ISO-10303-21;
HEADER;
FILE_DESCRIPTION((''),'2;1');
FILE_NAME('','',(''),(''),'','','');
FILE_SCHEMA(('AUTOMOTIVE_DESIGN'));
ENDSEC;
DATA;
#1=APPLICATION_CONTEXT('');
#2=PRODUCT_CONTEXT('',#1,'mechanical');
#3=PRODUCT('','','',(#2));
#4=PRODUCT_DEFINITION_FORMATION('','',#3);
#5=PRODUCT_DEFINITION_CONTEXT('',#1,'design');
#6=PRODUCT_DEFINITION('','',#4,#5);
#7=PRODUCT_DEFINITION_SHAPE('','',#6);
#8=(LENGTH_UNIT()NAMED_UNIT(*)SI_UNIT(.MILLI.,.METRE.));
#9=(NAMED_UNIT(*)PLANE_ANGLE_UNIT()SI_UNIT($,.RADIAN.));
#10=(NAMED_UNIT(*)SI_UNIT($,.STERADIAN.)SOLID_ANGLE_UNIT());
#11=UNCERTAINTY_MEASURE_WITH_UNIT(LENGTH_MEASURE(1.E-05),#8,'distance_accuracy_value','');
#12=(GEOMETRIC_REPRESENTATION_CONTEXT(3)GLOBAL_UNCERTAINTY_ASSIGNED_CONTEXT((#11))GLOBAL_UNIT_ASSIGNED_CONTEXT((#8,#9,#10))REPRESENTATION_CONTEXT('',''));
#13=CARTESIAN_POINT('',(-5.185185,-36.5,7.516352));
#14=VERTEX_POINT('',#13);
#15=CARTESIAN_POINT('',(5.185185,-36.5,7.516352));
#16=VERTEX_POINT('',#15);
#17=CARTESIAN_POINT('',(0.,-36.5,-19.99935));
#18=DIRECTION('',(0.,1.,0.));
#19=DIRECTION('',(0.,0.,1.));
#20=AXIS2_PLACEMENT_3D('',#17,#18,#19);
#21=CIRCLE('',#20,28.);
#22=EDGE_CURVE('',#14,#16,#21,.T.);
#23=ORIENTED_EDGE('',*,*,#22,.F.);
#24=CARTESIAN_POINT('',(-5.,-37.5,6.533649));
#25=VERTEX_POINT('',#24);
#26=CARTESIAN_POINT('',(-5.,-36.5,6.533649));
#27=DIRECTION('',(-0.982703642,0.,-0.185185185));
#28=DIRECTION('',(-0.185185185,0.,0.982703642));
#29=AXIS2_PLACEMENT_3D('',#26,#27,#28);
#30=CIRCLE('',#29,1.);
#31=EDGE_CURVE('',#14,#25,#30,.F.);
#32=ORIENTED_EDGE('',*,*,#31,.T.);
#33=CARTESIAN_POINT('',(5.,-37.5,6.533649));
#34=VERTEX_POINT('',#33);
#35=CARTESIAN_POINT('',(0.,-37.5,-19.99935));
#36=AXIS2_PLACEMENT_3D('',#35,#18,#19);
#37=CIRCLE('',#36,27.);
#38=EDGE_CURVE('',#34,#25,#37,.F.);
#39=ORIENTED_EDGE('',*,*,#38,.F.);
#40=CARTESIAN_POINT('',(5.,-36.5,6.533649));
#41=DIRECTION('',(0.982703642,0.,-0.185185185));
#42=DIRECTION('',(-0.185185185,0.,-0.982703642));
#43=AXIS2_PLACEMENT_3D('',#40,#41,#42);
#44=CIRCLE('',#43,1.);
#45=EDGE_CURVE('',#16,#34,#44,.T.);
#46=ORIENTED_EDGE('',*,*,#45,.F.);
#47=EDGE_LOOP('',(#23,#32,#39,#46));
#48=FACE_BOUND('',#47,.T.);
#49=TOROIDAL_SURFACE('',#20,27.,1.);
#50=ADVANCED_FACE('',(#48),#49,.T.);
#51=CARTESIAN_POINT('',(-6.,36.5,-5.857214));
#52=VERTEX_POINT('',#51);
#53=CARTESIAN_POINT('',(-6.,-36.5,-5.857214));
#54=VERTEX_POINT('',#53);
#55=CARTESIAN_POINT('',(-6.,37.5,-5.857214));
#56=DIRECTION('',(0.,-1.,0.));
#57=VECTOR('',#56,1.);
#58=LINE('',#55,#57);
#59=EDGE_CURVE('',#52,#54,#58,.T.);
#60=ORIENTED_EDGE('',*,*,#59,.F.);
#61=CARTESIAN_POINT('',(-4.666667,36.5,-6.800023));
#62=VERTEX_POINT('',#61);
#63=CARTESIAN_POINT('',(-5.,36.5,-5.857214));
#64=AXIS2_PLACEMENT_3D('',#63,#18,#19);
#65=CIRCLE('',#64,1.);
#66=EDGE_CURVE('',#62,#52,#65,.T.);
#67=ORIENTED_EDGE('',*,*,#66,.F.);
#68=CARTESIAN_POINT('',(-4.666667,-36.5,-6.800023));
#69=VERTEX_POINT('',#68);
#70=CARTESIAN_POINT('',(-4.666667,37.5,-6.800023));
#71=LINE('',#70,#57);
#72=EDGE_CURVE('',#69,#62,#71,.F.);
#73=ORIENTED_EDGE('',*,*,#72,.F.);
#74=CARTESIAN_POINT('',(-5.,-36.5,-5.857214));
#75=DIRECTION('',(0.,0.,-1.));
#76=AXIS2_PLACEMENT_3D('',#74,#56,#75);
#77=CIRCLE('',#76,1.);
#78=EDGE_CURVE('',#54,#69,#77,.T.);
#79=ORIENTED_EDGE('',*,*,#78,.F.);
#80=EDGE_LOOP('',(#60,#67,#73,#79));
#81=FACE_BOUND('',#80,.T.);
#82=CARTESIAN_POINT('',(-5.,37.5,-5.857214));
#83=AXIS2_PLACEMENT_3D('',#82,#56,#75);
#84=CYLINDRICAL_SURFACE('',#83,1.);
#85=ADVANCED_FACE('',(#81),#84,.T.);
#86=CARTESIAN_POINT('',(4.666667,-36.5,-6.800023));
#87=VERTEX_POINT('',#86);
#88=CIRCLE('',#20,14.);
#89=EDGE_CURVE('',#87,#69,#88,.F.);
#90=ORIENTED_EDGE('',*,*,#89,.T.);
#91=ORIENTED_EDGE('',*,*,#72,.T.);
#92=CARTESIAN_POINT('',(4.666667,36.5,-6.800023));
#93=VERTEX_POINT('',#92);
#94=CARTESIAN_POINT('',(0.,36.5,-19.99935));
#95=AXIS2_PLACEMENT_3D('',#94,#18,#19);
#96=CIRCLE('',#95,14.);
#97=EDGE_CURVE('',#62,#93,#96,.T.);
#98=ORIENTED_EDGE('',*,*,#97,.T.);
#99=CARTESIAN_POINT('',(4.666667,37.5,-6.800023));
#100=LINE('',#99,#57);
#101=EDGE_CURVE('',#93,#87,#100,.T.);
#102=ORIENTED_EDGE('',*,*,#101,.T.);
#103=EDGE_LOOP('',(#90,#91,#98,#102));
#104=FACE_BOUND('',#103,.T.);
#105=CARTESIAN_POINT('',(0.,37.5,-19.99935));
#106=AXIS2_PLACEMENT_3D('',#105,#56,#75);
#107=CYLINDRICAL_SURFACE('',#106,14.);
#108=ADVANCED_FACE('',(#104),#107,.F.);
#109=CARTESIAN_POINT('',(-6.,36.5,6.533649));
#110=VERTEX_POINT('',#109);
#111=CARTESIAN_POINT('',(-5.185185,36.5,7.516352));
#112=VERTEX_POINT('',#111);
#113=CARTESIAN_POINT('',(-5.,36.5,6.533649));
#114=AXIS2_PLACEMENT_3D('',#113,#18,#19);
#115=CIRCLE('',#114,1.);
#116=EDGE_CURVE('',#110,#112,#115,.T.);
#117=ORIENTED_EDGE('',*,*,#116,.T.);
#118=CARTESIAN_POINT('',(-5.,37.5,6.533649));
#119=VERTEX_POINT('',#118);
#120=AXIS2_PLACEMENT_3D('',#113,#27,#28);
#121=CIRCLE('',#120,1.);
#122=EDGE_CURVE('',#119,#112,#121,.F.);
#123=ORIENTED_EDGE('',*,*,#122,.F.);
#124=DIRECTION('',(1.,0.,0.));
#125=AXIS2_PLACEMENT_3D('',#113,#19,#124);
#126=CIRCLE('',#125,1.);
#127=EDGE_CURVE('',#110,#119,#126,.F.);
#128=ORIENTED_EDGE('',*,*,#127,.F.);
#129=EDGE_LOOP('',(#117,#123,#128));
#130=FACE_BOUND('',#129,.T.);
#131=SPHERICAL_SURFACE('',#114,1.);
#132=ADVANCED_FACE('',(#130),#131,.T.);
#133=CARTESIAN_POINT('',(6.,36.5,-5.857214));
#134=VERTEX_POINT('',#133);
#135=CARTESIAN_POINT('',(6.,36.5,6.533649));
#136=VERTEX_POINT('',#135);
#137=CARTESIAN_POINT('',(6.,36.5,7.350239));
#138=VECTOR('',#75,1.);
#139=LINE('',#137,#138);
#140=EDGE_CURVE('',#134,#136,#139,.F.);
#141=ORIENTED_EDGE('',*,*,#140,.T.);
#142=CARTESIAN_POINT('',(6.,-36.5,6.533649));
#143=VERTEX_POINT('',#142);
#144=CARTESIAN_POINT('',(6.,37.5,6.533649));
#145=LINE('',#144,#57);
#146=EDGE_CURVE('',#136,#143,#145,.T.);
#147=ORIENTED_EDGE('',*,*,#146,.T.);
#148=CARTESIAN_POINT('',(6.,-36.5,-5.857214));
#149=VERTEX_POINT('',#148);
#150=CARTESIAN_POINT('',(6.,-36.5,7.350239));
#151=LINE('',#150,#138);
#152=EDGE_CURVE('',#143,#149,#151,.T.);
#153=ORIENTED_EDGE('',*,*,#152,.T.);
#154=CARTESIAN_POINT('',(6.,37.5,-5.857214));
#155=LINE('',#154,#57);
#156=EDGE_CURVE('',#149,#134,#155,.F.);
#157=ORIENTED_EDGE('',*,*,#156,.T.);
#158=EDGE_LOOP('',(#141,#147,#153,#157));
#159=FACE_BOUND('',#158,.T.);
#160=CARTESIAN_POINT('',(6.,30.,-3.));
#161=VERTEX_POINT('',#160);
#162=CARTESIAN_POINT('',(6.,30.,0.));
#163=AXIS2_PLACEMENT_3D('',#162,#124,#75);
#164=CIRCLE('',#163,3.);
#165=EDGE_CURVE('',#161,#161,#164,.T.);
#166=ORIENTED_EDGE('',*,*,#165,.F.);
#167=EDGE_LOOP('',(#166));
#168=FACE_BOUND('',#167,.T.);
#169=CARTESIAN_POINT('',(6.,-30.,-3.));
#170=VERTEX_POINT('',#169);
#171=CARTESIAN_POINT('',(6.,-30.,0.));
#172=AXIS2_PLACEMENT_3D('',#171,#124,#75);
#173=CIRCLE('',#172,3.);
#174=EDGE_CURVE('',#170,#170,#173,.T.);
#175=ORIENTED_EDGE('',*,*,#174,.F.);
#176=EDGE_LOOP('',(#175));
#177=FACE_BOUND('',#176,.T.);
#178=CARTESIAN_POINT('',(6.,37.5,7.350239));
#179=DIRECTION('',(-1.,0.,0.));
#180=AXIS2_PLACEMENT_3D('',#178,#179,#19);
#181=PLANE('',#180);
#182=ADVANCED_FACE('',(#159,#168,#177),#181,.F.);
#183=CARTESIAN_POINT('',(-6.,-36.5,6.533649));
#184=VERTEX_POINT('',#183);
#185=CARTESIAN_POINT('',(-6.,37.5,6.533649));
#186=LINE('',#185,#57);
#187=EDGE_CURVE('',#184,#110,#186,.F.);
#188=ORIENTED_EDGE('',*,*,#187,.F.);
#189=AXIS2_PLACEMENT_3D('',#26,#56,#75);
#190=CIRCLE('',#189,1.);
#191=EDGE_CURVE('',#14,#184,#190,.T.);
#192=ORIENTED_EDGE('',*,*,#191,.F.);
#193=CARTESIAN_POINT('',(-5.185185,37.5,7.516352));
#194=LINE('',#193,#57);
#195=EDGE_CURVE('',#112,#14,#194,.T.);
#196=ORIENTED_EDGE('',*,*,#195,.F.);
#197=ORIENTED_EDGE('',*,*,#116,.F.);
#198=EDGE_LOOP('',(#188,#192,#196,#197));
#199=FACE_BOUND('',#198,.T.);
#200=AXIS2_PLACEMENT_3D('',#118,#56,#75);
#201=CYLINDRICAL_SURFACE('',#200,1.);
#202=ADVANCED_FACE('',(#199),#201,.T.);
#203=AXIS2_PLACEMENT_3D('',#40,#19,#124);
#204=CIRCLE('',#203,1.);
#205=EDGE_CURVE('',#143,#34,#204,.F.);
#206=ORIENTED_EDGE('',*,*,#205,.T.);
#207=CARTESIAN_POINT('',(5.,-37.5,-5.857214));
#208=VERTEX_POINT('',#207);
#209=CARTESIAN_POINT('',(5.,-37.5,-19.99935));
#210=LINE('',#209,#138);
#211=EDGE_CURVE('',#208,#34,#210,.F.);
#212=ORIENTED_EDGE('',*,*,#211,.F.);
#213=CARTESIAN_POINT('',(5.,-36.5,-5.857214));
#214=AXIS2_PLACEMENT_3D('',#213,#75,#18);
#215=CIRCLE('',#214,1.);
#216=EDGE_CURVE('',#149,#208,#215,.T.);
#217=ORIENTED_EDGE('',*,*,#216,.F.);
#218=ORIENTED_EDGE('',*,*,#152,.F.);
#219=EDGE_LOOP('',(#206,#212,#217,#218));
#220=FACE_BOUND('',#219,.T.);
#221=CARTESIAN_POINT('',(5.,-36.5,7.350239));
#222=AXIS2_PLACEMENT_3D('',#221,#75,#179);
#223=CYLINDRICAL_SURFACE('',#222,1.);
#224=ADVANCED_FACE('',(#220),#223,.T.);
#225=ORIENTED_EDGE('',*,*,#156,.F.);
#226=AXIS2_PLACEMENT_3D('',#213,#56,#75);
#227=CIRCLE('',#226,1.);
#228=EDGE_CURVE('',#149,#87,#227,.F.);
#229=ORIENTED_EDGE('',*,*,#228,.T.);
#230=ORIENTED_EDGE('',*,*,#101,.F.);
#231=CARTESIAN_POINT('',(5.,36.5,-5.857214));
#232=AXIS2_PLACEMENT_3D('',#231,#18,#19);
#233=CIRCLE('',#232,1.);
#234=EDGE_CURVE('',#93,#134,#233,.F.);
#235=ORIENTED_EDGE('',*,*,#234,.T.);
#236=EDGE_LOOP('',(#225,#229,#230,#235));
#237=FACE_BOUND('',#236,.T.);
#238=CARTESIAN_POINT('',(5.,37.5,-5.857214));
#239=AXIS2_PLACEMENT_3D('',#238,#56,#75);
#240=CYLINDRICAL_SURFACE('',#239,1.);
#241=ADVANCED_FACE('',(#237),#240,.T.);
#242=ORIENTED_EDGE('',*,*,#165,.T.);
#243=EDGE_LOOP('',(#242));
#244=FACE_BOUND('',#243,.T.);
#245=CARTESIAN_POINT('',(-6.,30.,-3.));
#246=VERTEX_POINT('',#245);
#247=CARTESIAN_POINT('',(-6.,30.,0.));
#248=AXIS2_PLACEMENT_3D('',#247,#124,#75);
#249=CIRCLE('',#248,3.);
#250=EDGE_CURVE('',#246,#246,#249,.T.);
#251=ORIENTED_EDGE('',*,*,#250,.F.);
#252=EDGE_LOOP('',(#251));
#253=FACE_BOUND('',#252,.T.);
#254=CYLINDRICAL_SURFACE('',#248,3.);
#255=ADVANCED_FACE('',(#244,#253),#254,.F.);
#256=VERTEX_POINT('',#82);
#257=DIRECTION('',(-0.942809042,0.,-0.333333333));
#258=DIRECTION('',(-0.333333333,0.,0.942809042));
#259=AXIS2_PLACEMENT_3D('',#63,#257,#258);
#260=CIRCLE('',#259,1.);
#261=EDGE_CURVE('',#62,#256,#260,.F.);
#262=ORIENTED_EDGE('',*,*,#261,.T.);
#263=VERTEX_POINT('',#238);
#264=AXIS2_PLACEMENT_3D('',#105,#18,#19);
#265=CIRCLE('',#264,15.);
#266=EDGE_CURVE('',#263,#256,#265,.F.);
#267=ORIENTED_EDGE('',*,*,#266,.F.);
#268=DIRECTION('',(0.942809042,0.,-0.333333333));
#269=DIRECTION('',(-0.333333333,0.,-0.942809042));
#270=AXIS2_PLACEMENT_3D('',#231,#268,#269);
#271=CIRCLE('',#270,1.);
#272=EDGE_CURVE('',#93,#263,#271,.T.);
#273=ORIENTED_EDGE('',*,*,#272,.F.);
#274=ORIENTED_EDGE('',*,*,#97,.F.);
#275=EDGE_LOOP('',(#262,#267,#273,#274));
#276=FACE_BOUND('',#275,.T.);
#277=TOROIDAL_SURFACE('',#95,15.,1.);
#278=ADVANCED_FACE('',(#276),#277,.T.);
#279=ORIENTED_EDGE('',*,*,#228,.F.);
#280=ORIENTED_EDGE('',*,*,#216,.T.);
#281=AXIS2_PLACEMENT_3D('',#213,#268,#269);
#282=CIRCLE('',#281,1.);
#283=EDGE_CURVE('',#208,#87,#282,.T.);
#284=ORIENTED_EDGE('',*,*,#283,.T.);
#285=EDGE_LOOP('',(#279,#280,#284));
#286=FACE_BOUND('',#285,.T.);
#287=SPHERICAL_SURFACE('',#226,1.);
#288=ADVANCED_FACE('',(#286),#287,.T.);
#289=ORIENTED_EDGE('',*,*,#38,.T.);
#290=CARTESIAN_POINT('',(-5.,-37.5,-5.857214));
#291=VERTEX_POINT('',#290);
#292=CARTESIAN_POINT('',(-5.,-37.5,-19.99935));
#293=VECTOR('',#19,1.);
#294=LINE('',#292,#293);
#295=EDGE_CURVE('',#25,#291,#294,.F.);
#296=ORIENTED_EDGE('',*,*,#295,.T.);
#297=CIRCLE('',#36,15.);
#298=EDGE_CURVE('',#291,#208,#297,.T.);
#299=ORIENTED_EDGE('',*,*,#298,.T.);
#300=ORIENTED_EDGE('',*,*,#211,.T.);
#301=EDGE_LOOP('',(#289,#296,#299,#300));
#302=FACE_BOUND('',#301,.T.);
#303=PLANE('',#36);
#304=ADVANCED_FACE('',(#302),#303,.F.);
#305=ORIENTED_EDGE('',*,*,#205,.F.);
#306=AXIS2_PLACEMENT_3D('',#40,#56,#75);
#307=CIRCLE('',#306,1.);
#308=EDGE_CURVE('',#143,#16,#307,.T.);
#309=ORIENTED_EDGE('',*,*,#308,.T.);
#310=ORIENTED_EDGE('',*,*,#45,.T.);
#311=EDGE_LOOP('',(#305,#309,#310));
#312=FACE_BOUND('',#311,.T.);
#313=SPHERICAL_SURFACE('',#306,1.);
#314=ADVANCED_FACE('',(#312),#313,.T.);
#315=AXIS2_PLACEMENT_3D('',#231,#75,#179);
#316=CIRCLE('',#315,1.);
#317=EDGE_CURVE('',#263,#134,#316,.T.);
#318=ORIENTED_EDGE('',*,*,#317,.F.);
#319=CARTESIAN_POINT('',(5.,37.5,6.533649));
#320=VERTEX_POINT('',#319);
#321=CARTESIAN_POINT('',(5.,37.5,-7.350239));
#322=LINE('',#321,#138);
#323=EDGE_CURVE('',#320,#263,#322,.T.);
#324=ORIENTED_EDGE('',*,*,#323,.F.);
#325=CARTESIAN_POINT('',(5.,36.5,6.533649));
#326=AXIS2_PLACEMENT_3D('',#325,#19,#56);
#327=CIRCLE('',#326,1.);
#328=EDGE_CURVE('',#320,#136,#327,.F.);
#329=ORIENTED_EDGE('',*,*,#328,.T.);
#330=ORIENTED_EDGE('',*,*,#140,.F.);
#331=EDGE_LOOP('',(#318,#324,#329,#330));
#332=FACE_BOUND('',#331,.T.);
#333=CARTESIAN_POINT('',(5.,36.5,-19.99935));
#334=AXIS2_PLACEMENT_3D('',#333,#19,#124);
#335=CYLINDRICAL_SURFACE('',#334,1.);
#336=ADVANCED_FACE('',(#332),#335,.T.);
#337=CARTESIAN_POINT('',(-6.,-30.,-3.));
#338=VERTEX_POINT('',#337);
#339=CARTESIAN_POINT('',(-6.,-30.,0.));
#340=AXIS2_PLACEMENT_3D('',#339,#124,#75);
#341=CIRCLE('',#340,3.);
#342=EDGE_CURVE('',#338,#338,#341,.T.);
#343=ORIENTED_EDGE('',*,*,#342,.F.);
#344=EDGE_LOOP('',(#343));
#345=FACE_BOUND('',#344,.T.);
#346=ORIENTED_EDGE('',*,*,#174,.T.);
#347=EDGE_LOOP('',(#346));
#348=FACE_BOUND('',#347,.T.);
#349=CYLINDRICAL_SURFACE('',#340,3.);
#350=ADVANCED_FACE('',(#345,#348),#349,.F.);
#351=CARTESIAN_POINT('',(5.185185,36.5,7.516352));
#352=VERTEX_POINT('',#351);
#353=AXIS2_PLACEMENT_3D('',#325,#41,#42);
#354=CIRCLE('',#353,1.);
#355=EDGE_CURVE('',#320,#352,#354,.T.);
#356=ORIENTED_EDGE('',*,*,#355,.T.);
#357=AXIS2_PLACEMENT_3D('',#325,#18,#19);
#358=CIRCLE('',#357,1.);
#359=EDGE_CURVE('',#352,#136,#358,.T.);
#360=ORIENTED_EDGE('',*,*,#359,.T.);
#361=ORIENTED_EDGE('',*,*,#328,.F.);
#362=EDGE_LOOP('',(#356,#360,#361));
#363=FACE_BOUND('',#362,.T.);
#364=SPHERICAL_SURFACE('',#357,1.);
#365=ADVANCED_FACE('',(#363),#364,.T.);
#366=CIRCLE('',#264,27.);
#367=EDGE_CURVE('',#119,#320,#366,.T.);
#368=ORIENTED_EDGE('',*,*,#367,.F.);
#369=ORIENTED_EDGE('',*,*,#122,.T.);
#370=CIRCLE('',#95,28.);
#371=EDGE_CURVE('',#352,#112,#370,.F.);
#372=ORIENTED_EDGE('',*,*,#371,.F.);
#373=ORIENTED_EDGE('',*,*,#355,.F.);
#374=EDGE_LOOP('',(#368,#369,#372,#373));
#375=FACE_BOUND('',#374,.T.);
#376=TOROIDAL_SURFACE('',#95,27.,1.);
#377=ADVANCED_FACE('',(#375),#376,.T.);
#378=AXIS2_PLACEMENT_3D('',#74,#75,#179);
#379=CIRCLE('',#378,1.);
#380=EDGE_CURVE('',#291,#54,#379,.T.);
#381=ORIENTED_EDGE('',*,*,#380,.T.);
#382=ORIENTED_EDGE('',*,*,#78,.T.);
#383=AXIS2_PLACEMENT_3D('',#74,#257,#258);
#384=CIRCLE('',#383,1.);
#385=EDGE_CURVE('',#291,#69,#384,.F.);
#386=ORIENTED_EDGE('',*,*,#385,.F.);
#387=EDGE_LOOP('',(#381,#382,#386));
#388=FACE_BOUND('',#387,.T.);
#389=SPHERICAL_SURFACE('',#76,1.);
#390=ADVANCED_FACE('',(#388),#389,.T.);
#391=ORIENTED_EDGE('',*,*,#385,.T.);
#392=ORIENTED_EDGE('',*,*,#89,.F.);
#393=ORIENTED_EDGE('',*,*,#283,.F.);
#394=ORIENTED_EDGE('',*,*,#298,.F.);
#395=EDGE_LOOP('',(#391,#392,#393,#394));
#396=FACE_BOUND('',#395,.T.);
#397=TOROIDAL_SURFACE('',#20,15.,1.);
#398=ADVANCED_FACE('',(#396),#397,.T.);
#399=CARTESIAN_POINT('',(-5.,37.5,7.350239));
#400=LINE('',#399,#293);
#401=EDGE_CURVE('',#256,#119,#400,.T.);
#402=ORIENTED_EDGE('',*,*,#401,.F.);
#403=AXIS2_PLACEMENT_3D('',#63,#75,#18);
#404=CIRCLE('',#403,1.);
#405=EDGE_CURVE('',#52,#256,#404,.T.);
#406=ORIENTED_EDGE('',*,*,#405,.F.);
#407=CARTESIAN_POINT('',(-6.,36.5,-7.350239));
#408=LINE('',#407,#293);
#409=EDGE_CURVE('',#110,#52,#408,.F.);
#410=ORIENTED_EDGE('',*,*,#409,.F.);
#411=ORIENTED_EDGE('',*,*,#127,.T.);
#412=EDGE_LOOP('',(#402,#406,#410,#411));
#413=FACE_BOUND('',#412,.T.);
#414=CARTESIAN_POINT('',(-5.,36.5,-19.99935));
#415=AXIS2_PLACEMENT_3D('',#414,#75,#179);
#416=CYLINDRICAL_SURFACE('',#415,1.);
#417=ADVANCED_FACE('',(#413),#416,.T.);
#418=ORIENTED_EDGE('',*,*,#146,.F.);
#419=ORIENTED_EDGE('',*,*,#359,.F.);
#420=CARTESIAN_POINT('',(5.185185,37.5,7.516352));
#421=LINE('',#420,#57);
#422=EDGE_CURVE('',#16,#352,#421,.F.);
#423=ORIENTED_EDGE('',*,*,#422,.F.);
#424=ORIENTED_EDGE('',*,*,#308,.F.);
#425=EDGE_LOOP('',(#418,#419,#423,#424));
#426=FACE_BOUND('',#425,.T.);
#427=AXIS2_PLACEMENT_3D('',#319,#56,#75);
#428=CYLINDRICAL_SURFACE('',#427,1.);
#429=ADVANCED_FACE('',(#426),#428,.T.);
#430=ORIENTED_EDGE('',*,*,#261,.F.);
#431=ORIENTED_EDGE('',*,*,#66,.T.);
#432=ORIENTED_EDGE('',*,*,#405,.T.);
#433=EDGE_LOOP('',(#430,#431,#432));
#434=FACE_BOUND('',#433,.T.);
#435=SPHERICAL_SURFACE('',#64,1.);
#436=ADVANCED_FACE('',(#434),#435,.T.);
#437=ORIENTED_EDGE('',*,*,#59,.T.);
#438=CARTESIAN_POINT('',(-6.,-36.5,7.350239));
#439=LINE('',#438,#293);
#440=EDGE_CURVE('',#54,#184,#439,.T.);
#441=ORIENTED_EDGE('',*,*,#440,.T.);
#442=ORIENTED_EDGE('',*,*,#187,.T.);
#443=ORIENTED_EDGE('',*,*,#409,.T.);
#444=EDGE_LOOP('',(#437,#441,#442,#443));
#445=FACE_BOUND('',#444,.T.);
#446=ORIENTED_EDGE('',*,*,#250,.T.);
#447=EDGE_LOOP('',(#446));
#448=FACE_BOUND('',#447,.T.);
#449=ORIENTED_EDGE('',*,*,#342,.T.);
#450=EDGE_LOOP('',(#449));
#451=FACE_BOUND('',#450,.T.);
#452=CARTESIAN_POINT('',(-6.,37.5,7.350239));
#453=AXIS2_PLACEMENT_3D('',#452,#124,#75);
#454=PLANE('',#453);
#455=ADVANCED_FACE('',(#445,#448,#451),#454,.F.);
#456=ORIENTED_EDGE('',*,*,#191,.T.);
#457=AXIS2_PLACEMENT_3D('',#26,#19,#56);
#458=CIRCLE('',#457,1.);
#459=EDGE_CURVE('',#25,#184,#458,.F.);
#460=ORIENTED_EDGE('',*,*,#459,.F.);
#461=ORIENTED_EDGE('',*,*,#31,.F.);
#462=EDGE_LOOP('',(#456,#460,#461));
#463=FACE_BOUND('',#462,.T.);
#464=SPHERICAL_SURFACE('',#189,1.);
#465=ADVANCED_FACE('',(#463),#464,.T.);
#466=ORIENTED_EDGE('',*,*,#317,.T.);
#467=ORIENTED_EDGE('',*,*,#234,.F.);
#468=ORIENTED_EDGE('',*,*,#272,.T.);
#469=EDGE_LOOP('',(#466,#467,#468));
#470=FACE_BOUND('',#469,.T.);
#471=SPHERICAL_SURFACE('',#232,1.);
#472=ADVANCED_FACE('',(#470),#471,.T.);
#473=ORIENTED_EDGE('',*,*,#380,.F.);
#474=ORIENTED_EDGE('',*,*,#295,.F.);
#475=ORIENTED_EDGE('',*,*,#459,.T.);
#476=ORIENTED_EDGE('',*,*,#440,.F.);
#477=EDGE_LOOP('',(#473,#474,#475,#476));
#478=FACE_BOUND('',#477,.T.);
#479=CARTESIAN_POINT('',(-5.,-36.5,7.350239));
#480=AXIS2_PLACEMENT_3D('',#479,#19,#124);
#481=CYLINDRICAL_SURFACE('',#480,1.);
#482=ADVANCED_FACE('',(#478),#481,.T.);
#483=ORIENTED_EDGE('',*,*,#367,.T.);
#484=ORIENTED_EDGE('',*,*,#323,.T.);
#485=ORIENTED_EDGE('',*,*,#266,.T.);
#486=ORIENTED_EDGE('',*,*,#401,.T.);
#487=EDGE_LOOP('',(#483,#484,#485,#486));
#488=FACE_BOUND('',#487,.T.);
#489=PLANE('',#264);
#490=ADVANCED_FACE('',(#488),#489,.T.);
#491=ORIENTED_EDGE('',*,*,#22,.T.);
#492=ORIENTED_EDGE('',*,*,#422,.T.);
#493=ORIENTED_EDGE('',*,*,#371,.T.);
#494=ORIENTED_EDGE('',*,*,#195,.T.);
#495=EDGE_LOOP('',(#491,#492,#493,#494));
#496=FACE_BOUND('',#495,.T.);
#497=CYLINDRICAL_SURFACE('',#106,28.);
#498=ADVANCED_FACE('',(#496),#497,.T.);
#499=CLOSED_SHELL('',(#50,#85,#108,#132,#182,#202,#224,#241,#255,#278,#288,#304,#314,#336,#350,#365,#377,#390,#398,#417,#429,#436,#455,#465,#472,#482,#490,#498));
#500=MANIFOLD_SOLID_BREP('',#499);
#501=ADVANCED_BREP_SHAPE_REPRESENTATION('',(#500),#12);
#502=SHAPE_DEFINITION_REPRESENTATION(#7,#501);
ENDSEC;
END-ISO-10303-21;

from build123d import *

# Parameters (mm, degrees)
EXTRUDE_1_DEPTH          = 37.5
CUT_EXTRUDE_1_DEPTH      = 39.810570802
CUT_EXTRUDE_1_DEPTH_BACK = 39.810570802
SKETCH_2_R               = 3
FILLET_2_R               = 1


with BuildPart() as part:
    # 草图1 → 凸台-拉伸1 (new, symmetric)
    with BuildSketch(Plane(origin=(0, 0, 0), x_dir=(1, 0, 0), z_dir=(0, 1, 0))):
        with BuildLine():
            Line((-6, -7.350239011), (-6, 7.350239011))
            ThreePointArc((-6, 7.350239011), (0, 5.999349652), (6, 7.350239011))
            Line((6, 7.350239011), (6, -7.350239011))
            ThreePointArc((6, -7.350239011), (0, -8.000650348), (-6, -7.350239011))
        make_face()
    extrude(amount=EXTRUDE_1_DEPTH, both=True)

    # 草图2 → 切除-拉伸1 (cut, two sides: drawn at the far end of the back side and taken through both)
    with BuildSketch(Plane(origin=(0, 0, 0), x_dir=(0, 0, -1), z_dir=(1, 0, 0)).offset(-CUT_EXTRUDE_1_DEPTH_BACK)):
        with Locations((0, 30)):
            Circle(SKETCH_2_R)
        with Locations((0, -30)):
            Circle(SKETCH_2_R)
    extrude(amount=CUT_EXTRUDE_1_DEPTH + CUT_EXTRUDE_1_DEPTH_BACK, mode=Mode.SUBTRACT)

    # 圆角2
    fillet_2_edges = [part.edges().sort_by_distance(p)[0] for p in [
        (0, 37.5, -5.999349652),
        (-6, 37.5, 0),
        (0, 37.5, 8.000650348),
        (-6, -37.5, 0),
        (0, -37.5, -5.999349652),
        (6, -37.5, 0),
        (0, -37.5, 8.000650348),
        (-6, 0, 7.350239011),
        (-6, 0, -7.350239011),
        (6, 0, -7.350239011),
        (6, 0, 7.350239011),
        (6, 37.5, 0),
    ]]
    fillet(fillet_2_edges, radius=FILLET_2_R)


solid = part.part
